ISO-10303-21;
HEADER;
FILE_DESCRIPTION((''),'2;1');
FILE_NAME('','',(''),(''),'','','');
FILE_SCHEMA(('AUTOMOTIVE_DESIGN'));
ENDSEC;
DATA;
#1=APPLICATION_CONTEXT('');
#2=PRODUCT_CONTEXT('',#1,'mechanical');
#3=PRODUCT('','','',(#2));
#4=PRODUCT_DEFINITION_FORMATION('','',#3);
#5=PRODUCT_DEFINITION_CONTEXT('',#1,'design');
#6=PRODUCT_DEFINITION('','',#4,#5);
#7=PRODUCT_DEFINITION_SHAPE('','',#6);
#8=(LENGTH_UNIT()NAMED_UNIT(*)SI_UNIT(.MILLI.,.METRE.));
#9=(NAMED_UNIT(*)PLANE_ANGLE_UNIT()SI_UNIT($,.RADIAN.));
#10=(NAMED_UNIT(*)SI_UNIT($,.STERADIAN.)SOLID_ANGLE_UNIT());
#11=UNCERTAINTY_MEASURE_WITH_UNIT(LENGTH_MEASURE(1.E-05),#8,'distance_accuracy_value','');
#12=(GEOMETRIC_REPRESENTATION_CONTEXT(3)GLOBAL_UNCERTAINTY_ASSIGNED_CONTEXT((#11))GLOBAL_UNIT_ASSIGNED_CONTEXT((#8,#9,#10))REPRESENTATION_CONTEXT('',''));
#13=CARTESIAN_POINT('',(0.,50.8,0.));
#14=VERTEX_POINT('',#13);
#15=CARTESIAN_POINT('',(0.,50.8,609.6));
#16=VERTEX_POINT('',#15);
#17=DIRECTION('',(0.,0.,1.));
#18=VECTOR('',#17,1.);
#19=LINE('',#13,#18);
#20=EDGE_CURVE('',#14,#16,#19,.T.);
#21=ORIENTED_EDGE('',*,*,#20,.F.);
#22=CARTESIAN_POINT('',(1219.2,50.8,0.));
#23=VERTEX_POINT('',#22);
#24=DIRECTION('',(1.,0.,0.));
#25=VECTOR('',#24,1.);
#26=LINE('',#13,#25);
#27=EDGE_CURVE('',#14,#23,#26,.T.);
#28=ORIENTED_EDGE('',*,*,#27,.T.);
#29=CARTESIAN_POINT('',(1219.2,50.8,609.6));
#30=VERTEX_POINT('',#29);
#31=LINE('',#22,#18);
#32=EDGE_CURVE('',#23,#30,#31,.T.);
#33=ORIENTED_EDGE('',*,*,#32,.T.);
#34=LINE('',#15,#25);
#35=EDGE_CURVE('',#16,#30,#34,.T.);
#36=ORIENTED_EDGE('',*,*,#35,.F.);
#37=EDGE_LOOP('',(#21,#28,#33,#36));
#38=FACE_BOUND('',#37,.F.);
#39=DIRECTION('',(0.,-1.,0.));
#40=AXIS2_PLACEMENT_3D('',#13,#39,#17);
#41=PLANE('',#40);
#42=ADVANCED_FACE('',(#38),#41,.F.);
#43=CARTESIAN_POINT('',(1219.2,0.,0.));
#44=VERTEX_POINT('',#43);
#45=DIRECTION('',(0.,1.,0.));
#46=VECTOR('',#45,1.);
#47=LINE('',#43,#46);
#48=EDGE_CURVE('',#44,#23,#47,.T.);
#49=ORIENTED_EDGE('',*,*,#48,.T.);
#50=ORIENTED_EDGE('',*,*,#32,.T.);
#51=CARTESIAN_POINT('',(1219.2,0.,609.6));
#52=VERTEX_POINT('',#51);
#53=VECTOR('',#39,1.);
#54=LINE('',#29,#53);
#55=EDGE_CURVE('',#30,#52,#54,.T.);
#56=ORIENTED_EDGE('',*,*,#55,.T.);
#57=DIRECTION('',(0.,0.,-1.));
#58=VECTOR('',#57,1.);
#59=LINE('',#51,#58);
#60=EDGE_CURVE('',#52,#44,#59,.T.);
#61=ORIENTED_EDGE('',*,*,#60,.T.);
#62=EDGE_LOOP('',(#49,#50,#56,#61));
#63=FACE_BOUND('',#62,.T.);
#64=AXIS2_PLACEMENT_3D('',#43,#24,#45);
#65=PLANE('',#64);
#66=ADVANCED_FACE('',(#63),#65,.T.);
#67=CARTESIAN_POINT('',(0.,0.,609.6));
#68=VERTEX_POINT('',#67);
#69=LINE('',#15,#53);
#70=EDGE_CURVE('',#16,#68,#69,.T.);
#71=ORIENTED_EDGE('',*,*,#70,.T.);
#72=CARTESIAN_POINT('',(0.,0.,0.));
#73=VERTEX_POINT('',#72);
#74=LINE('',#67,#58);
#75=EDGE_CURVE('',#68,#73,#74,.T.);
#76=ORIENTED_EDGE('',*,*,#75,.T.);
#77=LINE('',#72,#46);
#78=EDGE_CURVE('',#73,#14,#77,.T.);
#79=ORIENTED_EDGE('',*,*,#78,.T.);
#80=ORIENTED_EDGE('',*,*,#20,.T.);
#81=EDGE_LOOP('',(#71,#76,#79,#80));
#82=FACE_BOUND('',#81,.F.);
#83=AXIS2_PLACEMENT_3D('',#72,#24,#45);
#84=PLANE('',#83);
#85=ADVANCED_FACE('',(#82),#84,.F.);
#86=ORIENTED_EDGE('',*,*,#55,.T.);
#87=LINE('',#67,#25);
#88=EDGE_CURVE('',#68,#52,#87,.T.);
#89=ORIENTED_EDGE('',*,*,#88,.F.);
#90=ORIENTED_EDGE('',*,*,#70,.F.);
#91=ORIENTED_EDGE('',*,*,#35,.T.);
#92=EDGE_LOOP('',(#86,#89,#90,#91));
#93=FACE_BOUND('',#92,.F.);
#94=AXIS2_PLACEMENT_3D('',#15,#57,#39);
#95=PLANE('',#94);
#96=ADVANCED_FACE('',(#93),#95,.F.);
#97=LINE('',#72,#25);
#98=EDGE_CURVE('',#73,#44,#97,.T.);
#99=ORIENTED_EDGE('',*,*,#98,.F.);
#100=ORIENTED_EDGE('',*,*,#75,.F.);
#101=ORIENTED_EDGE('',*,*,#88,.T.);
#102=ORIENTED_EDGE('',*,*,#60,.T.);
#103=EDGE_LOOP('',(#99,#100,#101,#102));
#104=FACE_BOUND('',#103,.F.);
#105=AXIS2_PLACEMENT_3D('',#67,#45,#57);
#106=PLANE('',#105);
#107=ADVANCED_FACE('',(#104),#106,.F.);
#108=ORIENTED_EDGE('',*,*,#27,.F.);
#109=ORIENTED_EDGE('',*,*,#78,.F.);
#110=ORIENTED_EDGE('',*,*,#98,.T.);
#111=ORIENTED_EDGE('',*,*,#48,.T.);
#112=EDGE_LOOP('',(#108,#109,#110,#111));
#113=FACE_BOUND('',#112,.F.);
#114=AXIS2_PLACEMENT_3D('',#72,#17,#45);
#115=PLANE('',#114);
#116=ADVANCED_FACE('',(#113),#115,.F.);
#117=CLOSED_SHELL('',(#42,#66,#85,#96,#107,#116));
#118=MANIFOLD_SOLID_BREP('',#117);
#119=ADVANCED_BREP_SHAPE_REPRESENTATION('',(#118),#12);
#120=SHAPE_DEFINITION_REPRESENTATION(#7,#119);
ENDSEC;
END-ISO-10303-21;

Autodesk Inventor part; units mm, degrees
ref_plane "YZ Plane" through (0, 0, 0) normal (1, 0, 0) x (0, 1, 0)
ref_plane "XZ Plane" through (0, 0, 0) normal (0, 1, 0) x (-1, 0, 0)
ref_plane "XY Plane" through (0, 0, 0) normal (0, 0, 1) x (1, 0, 0)
sketch "Sketch1" plane through (0, 0, 0) normal (1, 0, 0) x (0, 1, 0)
  line L0 (0, 0) -> (50.8, 0)
  line L1 (50.8, 0) -> (50.8, 609.6)
  line L2 (50.8, 609.6) -> (0, 609.6)
  line L3 (0, 609.6) -> (0, 0)
  dimension "d0" = 50.8
  dimension "d1" = 609.6
extrude "Extrusion1" add sketch "Sketch1" along normal blind 1219.2
properties part number "2x24x48-26" material "Granite, Cut, Polished"
